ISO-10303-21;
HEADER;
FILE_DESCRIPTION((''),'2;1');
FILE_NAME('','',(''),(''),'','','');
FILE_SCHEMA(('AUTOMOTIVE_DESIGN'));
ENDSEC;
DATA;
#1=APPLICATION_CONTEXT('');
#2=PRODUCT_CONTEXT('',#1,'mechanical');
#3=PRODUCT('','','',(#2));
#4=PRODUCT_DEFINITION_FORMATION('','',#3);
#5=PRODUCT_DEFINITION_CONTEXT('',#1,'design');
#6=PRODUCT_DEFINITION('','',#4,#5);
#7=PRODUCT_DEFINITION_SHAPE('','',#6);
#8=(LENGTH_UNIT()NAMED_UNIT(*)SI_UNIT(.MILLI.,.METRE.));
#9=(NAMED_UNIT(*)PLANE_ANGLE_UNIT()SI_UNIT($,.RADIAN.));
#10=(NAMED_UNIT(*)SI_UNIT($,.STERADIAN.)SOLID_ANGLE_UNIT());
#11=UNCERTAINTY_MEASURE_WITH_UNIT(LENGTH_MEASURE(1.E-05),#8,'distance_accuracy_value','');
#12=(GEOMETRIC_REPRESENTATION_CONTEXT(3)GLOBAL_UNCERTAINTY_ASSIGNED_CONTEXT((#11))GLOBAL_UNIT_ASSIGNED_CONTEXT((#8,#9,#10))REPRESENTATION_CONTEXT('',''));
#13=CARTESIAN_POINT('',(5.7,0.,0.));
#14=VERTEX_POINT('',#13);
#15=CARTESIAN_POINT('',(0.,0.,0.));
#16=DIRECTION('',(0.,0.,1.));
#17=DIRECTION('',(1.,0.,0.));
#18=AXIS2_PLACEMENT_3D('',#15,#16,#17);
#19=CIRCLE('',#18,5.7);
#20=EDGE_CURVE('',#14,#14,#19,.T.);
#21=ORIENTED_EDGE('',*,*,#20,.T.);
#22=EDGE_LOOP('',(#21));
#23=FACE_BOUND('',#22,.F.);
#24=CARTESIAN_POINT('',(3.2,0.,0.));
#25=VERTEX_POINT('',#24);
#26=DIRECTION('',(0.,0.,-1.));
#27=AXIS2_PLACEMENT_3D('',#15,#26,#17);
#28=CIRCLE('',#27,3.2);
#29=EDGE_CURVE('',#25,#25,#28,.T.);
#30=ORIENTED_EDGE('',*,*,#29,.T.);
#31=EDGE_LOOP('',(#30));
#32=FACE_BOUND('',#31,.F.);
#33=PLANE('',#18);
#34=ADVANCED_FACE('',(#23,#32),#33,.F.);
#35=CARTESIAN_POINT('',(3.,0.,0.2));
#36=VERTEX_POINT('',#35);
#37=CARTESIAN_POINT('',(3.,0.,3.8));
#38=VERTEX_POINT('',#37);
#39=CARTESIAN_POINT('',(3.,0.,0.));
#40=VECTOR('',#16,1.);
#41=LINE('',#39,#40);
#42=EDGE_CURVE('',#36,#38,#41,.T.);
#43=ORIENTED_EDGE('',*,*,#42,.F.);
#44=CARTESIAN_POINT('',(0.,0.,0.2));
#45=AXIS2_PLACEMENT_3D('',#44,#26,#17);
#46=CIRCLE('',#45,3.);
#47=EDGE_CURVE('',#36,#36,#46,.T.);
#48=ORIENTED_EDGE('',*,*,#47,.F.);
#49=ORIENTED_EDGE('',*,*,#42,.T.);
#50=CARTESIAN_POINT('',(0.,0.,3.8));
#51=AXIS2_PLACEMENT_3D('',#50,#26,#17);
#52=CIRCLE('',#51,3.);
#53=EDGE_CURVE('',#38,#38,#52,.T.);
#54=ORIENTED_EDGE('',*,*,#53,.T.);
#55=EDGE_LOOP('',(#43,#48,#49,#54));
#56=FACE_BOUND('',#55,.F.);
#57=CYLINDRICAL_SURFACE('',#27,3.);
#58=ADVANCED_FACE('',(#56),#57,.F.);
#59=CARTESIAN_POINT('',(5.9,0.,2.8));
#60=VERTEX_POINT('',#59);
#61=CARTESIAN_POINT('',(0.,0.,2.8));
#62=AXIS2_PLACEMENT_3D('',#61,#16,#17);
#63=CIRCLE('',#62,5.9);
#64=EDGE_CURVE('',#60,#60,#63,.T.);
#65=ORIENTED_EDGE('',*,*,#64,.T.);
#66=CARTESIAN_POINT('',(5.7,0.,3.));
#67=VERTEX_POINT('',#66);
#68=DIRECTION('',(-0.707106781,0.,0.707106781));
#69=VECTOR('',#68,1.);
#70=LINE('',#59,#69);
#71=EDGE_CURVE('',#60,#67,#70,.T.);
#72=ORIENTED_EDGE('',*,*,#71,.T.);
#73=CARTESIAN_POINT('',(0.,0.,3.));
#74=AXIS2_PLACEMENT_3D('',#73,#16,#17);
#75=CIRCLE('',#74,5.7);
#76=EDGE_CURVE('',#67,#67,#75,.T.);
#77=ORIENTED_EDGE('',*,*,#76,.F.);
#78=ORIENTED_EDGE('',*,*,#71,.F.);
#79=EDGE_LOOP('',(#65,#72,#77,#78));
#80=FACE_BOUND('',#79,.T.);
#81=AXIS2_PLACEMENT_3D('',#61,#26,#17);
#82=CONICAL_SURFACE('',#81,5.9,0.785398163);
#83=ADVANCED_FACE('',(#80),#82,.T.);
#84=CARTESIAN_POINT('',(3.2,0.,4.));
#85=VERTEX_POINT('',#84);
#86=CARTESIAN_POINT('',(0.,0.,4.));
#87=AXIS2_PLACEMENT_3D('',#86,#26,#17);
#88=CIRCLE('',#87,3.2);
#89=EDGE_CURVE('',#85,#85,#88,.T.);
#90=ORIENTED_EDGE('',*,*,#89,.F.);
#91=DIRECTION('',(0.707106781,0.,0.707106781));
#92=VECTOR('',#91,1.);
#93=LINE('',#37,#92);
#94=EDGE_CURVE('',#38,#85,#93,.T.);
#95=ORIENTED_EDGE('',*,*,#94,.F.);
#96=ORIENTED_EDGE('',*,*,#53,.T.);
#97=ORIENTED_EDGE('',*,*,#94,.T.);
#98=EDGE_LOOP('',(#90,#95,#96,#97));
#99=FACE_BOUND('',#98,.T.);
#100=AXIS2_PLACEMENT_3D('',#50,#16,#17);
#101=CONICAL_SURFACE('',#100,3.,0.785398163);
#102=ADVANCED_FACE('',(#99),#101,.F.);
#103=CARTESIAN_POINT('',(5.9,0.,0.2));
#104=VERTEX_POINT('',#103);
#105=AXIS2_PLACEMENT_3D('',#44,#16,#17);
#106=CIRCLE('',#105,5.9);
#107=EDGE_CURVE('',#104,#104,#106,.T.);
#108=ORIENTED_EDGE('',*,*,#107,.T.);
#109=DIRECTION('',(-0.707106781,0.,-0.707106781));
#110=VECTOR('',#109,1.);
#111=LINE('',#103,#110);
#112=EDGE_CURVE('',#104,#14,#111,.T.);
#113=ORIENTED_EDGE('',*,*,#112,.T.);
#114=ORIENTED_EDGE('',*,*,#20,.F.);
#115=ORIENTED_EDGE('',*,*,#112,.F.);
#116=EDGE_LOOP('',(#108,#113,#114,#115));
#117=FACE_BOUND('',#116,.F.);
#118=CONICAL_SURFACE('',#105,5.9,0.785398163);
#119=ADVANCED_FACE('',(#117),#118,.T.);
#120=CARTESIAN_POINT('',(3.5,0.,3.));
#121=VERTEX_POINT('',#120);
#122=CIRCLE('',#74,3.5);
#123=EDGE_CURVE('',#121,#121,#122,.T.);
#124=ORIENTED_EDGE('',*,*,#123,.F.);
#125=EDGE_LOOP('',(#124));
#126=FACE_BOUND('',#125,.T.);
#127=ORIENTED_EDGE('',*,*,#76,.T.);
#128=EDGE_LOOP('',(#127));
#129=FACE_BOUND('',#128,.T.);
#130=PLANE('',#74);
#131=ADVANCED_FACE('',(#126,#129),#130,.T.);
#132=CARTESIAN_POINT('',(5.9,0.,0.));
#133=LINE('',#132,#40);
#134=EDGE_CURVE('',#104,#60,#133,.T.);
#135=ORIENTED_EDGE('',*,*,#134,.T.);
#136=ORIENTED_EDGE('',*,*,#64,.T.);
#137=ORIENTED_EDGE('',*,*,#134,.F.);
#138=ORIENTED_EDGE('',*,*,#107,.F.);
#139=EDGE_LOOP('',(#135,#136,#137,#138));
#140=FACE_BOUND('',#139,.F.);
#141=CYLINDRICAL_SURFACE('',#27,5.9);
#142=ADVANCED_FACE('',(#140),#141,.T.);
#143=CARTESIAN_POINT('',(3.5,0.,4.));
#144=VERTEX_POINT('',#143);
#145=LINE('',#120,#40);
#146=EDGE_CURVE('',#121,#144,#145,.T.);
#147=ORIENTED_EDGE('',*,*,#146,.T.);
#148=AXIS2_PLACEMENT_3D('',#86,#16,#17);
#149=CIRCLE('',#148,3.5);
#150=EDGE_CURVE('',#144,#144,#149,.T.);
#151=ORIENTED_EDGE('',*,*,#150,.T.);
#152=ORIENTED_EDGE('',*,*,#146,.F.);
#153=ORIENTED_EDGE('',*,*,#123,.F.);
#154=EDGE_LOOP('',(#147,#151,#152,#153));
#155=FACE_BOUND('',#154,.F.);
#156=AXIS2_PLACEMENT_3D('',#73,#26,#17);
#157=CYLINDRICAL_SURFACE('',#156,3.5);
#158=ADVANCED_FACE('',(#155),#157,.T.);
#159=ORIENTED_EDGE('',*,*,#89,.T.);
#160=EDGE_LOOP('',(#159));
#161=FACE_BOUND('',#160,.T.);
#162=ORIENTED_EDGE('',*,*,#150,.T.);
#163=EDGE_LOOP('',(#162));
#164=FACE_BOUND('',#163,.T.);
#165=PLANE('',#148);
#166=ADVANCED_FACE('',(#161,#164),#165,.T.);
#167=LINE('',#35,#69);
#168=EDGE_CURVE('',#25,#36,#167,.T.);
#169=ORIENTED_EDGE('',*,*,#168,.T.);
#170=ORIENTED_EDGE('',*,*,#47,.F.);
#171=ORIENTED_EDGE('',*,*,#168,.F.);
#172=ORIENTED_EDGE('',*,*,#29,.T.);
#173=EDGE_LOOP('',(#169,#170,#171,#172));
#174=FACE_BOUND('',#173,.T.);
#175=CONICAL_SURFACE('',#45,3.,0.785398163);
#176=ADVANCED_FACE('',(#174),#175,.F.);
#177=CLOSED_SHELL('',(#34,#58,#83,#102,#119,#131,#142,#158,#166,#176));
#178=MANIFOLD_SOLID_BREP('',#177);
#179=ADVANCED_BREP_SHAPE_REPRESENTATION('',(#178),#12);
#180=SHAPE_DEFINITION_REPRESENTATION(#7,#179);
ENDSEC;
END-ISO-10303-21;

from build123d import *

# Parameters (mm, degrees)
F0_R     = 5.9
F1_DEPTH = 3
F2_R     = 3.5
F3_DEPTH = 1
F4_R     = 3
F5_DEPTH = 4.001
F6_SIZE  = 0.2


with BuildPart() as f1:
    # F0 (on Top) → F1 (new body)
    with BuildSketch(Plane.XY):
        Circle(F0_R)
    extrude(amount=F1_DEPTH)

    # F2 (on face) → F3 (join)
    with BuildSketch(Plane.XY.offset(3)):
        Circle(F2_R)
    extrude(amount=F3_DEPTH)

    # F4 (on face) → F5 (cut, through all)
    with BuildSketch(Plane(origin=(0, 0, 0), x_dir=(1, 0, 0), z_dir=(0, 0, -1))):
        Circle(F4_R)
    extrude(amount=-F5_DEPTH, mode=Mode.SUBTRACT)

    # F6
    f6_edges = [f1.edges().sort_by_distance(p)[0] for p in [
        (-5.9, 0, 3),
        (-5.9, 0, 0),
        (-3, 0, 0),
        (-3, 0, 4),
    ]]
    chamfer(f6_edges, length=F6_SIZE)


solid = f1.part
